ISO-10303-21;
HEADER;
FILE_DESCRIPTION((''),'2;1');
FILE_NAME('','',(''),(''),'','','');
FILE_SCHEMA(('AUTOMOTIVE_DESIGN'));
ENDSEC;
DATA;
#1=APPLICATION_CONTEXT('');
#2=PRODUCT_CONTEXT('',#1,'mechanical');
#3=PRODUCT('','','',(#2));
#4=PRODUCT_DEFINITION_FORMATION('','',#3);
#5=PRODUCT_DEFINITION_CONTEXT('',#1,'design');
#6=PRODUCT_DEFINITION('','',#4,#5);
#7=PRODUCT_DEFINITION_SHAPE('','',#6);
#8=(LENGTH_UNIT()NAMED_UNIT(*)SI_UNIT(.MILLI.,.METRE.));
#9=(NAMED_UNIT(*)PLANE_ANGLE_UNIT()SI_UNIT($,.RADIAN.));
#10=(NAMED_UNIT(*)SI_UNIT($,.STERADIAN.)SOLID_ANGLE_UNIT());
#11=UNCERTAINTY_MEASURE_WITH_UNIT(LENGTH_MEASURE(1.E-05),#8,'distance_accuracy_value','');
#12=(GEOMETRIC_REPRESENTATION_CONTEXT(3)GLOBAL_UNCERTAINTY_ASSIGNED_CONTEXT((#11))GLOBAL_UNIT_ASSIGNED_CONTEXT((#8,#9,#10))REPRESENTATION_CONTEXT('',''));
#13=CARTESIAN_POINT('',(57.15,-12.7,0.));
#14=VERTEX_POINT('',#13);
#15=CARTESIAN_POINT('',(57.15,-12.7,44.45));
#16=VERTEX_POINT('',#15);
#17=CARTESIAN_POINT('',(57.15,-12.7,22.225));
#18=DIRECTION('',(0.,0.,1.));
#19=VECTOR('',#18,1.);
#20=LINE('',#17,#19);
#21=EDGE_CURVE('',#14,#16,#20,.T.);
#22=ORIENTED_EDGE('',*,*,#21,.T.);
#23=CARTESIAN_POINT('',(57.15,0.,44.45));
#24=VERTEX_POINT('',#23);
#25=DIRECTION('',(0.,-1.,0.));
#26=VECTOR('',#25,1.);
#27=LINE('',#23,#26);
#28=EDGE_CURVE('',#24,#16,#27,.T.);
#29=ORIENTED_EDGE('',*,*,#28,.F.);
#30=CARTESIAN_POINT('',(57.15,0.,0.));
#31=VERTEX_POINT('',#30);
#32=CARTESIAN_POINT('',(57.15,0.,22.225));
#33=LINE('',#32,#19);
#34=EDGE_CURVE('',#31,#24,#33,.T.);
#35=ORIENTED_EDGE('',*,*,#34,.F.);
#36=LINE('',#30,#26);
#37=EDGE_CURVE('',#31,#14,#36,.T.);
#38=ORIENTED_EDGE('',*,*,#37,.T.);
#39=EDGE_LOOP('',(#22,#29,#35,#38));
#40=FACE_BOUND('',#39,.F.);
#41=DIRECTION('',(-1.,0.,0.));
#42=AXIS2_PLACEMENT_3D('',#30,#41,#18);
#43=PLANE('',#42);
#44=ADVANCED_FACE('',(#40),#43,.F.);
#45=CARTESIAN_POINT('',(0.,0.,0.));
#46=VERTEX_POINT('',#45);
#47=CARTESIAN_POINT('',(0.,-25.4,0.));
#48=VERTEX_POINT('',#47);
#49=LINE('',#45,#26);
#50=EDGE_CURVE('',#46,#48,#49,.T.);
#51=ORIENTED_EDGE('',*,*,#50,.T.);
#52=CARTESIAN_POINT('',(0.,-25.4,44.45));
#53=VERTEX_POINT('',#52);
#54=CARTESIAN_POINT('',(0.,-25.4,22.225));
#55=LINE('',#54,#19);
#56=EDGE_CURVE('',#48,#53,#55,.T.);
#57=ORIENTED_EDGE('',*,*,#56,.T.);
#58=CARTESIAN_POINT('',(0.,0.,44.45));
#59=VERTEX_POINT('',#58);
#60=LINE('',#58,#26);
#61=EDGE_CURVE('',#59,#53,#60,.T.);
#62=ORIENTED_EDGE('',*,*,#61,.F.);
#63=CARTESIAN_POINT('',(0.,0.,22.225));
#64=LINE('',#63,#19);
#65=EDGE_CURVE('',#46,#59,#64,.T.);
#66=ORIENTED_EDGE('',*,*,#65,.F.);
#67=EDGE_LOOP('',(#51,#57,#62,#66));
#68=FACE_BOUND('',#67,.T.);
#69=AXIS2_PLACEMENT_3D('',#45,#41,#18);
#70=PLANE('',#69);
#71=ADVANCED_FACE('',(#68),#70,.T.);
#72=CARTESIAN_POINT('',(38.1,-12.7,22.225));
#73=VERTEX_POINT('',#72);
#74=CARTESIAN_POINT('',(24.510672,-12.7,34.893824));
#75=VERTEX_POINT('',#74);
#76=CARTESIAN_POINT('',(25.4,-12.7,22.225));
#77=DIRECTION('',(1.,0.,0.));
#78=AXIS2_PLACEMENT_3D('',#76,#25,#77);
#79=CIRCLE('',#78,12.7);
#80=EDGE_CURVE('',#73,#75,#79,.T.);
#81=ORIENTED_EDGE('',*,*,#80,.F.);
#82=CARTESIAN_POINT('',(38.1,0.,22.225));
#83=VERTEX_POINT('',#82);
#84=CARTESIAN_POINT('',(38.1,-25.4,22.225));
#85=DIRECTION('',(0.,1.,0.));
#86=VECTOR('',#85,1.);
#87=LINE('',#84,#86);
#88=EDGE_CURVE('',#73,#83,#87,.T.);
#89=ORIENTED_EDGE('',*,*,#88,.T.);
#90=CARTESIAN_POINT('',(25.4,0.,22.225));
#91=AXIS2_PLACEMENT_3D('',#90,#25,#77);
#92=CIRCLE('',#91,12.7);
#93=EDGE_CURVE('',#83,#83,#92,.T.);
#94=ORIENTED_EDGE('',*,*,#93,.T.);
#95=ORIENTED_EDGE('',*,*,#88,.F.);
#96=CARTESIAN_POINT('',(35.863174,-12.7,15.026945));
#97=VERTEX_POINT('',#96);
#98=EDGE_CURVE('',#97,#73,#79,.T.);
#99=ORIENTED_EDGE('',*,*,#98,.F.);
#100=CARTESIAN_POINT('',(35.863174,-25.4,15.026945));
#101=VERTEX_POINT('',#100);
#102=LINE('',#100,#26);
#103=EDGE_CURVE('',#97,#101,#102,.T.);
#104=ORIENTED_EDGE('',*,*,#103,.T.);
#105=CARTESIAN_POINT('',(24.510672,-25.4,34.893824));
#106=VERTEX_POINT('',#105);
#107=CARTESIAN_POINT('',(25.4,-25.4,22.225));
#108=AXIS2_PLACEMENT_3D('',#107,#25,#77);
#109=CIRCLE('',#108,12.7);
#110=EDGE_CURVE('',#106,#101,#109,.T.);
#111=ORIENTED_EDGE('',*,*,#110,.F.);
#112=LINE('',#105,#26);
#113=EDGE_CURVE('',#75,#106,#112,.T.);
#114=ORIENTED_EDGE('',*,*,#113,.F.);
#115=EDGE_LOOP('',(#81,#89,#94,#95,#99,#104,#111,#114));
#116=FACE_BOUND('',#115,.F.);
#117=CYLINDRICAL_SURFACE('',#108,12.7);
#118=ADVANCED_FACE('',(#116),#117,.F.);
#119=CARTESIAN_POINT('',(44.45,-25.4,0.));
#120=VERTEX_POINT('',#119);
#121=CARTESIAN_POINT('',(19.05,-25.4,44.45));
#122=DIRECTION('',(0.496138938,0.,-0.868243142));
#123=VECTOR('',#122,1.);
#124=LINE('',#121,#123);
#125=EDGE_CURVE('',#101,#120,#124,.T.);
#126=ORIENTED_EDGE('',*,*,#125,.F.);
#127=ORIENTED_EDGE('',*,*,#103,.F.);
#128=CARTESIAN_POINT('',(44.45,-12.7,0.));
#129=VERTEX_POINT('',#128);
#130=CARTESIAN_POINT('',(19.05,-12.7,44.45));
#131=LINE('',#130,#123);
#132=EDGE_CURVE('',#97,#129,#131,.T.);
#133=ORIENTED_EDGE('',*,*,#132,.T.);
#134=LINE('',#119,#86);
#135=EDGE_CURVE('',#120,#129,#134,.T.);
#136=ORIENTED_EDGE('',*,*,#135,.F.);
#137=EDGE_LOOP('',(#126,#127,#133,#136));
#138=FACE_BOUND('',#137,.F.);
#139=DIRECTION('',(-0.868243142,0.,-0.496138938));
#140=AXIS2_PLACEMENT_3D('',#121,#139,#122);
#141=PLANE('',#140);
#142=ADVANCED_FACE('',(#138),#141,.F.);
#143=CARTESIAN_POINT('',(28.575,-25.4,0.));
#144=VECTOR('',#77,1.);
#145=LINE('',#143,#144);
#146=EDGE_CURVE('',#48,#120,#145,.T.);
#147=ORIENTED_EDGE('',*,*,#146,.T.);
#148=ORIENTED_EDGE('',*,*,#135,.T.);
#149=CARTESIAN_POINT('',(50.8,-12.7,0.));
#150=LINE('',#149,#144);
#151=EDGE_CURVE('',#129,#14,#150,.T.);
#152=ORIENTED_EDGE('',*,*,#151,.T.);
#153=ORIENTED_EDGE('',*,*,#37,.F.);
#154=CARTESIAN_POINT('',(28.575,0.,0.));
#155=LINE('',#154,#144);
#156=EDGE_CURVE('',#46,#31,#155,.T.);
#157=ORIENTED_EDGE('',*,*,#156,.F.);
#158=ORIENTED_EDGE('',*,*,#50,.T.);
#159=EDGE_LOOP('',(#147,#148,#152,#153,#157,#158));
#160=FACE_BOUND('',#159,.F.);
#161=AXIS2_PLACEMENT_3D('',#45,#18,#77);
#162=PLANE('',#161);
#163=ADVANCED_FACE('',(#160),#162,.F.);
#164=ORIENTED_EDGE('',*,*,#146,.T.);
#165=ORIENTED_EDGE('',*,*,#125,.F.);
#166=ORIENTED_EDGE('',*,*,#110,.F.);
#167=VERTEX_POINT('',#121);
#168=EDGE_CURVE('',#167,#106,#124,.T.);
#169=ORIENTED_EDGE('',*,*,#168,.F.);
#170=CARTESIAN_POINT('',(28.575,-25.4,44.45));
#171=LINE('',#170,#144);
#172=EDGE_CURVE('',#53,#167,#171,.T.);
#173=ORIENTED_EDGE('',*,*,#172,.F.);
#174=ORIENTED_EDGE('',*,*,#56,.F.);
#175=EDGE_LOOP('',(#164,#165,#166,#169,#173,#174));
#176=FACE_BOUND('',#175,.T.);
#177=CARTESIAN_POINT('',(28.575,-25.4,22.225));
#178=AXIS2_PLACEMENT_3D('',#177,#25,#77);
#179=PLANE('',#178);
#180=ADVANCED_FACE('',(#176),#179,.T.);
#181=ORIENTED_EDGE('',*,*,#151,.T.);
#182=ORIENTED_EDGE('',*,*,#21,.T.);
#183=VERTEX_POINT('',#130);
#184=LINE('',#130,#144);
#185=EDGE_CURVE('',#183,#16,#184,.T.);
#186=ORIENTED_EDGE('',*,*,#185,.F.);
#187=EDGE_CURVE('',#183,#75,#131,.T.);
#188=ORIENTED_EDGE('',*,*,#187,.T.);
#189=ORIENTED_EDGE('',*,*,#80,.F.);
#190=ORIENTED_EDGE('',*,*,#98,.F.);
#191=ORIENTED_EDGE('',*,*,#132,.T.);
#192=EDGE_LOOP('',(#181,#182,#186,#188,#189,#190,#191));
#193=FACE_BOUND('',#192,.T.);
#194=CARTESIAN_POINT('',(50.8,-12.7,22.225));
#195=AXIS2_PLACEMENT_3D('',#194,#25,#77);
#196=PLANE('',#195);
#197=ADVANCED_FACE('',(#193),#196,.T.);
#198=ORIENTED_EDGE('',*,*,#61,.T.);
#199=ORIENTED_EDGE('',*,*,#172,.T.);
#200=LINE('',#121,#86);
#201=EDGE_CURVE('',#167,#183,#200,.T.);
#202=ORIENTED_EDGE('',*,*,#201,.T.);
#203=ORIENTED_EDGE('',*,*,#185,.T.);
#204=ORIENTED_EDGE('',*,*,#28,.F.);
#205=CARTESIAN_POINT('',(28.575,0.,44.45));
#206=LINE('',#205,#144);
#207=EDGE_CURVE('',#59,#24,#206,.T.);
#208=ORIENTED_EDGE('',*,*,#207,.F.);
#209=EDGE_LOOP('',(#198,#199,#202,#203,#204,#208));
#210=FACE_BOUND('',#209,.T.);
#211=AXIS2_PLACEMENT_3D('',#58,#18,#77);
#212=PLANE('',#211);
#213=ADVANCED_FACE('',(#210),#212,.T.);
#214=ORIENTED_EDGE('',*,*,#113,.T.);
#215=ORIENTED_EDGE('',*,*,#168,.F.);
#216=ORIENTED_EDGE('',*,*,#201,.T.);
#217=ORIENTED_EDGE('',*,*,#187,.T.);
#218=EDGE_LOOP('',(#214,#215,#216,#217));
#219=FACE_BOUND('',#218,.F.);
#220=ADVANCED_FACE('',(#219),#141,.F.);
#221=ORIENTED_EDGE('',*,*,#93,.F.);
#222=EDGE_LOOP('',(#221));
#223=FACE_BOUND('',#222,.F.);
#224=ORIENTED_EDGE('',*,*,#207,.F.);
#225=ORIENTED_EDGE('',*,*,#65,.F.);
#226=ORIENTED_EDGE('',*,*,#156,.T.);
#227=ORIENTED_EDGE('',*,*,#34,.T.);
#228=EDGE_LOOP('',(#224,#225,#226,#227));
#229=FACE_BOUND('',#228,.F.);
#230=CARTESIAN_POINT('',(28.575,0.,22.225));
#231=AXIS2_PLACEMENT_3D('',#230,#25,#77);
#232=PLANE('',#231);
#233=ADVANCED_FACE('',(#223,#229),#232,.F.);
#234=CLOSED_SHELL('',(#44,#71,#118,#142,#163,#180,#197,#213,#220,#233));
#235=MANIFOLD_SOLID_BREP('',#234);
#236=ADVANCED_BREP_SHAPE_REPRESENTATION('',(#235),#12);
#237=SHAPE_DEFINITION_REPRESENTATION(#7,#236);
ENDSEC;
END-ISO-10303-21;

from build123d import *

# Parameters (mm, degrees)
F0_W     = 57.15
F0_H     = 44.45
F1_DEPTH = 25.4
F2_W     = 12.7
F2_H     = 44.45
F3_DEPTH = 12.7
F5_DEPTH = 12.7
F6_R     = 12.7
F7_DEPTH = 25.4


with BuildPart() as f1:
    # F0 (on Front) → F1 (new body)
    with BuildSketch(Plane.XZ):
        with Locations((28.575, 22.225)):
            Rectangle(F0_W, F0_H)
    extrude(amount=F1_DEPTH)

    # F2 (on face) → F3 (cut)
    with BuildSketch(Plane.XZ.offset(25.4)):
        with Locations((50.8, 22.225)):
            Rectangle(F2_W, F2_H)
    extrude(amount=-F3_DEPTH, mode=Mode.SUBTRACT)

    # F4 (on face) → F5 (cut)
    with BuildSketch(Plane.XZ.offset(25.4)):
        Polygon((19.05, 44.45), (44.45, 0), (44.45, 44.45), align=None)
    extrude(amount=-F5_DEPTH, mode=Mode.SUBTRACT)

    # F6 (on face) → F7 (cut)
    with BuildSketch(Plane.XZ.offset(25.4)):
        with Locations((25.4, 22.225)):
            Circle(F6_R)
    extrude(amount=-F7_DEPTH, mode=Mode.SUBTRACT)


solid = f1.part
